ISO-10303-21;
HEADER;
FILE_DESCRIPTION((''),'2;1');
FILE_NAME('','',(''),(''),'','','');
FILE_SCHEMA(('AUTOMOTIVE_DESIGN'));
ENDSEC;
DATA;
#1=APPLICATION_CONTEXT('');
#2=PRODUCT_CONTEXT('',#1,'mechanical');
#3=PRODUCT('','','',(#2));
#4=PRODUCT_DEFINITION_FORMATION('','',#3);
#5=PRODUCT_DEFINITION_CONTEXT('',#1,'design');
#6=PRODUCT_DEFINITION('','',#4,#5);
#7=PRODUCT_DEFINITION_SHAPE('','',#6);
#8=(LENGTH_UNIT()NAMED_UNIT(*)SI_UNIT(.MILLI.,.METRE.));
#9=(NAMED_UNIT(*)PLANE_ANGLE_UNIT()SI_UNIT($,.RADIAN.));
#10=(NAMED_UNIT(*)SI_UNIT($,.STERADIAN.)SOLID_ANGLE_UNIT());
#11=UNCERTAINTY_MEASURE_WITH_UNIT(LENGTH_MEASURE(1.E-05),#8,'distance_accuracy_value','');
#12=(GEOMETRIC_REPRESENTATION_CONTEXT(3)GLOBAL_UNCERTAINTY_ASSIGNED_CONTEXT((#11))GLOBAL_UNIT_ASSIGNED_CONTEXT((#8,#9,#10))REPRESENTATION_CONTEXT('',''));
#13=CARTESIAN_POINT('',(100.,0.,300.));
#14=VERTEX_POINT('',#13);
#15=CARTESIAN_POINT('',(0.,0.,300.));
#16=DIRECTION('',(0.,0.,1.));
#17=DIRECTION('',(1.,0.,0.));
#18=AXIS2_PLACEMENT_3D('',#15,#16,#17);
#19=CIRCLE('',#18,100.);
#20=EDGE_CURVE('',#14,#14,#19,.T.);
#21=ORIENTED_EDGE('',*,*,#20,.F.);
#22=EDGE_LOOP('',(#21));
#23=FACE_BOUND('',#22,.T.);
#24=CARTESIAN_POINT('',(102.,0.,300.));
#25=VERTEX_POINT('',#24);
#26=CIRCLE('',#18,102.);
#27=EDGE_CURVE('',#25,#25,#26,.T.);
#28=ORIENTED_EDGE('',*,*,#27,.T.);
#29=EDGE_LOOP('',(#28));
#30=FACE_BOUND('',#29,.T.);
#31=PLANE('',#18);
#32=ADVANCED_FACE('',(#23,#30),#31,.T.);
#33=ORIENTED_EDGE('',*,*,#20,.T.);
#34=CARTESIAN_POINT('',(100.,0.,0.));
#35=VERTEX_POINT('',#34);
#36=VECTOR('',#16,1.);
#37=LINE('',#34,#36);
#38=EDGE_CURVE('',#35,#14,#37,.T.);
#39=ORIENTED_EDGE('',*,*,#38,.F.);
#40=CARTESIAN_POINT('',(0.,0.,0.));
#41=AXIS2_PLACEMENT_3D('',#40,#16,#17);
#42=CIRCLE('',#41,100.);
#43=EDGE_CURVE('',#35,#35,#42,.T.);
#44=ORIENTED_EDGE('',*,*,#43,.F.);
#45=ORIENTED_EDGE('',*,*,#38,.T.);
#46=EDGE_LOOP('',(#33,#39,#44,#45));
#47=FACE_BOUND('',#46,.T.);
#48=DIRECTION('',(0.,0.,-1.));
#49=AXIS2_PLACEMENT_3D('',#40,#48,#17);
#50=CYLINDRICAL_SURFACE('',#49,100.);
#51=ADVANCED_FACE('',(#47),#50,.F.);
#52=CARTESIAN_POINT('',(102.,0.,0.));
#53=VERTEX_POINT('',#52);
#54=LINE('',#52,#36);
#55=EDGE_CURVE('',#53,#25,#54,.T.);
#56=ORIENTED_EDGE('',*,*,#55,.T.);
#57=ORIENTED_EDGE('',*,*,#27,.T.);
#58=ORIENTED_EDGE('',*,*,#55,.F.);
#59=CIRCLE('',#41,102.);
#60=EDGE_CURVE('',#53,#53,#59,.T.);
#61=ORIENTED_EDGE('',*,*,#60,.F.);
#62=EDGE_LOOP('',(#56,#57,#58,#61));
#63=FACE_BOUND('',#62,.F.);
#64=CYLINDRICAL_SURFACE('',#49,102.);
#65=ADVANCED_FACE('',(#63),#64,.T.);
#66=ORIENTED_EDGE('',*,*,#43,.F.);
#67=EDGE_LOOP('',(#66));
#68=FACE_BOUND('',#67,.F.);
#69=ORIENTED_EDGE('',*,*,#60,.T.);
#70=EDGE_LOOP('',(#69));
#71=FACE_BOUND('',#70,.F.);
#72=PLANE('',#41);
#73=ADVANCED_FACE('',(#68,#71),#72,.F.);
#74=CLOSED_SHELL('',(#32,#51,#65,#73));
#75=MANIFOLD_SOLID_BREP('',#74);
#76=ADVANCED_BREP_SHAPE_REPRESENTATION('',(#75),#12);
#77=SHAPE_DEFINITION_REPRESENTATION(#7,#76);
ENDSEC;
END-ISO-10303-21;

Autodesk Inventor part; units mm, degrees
ref_plane "YZ Plane" through (0, 0, 0) normal (1, 0, 0) x (0, 1, 0)
ref_plane "XZ Plane" through (0, 0, 0) normal (0, 1, 0) x (-1, 0, 0)
ref_plane "XY Plane" through (0, 0, 0) normal (0, 0, 1) x (1, 0, 0)
sketch "Skizze2" plane through (0, 0, 0) normal (0, 0, 1) x (1, 0, 0)
  circle A0 centre (0, 0) radius 100
  circle A1 centre (0, 0) radius 102
  dimension "d0" = 200
  dimension "d1" = 2
extrude "Extrusion1" add sketch "Skizze2" along normal blind 300
properties part number "Form"
